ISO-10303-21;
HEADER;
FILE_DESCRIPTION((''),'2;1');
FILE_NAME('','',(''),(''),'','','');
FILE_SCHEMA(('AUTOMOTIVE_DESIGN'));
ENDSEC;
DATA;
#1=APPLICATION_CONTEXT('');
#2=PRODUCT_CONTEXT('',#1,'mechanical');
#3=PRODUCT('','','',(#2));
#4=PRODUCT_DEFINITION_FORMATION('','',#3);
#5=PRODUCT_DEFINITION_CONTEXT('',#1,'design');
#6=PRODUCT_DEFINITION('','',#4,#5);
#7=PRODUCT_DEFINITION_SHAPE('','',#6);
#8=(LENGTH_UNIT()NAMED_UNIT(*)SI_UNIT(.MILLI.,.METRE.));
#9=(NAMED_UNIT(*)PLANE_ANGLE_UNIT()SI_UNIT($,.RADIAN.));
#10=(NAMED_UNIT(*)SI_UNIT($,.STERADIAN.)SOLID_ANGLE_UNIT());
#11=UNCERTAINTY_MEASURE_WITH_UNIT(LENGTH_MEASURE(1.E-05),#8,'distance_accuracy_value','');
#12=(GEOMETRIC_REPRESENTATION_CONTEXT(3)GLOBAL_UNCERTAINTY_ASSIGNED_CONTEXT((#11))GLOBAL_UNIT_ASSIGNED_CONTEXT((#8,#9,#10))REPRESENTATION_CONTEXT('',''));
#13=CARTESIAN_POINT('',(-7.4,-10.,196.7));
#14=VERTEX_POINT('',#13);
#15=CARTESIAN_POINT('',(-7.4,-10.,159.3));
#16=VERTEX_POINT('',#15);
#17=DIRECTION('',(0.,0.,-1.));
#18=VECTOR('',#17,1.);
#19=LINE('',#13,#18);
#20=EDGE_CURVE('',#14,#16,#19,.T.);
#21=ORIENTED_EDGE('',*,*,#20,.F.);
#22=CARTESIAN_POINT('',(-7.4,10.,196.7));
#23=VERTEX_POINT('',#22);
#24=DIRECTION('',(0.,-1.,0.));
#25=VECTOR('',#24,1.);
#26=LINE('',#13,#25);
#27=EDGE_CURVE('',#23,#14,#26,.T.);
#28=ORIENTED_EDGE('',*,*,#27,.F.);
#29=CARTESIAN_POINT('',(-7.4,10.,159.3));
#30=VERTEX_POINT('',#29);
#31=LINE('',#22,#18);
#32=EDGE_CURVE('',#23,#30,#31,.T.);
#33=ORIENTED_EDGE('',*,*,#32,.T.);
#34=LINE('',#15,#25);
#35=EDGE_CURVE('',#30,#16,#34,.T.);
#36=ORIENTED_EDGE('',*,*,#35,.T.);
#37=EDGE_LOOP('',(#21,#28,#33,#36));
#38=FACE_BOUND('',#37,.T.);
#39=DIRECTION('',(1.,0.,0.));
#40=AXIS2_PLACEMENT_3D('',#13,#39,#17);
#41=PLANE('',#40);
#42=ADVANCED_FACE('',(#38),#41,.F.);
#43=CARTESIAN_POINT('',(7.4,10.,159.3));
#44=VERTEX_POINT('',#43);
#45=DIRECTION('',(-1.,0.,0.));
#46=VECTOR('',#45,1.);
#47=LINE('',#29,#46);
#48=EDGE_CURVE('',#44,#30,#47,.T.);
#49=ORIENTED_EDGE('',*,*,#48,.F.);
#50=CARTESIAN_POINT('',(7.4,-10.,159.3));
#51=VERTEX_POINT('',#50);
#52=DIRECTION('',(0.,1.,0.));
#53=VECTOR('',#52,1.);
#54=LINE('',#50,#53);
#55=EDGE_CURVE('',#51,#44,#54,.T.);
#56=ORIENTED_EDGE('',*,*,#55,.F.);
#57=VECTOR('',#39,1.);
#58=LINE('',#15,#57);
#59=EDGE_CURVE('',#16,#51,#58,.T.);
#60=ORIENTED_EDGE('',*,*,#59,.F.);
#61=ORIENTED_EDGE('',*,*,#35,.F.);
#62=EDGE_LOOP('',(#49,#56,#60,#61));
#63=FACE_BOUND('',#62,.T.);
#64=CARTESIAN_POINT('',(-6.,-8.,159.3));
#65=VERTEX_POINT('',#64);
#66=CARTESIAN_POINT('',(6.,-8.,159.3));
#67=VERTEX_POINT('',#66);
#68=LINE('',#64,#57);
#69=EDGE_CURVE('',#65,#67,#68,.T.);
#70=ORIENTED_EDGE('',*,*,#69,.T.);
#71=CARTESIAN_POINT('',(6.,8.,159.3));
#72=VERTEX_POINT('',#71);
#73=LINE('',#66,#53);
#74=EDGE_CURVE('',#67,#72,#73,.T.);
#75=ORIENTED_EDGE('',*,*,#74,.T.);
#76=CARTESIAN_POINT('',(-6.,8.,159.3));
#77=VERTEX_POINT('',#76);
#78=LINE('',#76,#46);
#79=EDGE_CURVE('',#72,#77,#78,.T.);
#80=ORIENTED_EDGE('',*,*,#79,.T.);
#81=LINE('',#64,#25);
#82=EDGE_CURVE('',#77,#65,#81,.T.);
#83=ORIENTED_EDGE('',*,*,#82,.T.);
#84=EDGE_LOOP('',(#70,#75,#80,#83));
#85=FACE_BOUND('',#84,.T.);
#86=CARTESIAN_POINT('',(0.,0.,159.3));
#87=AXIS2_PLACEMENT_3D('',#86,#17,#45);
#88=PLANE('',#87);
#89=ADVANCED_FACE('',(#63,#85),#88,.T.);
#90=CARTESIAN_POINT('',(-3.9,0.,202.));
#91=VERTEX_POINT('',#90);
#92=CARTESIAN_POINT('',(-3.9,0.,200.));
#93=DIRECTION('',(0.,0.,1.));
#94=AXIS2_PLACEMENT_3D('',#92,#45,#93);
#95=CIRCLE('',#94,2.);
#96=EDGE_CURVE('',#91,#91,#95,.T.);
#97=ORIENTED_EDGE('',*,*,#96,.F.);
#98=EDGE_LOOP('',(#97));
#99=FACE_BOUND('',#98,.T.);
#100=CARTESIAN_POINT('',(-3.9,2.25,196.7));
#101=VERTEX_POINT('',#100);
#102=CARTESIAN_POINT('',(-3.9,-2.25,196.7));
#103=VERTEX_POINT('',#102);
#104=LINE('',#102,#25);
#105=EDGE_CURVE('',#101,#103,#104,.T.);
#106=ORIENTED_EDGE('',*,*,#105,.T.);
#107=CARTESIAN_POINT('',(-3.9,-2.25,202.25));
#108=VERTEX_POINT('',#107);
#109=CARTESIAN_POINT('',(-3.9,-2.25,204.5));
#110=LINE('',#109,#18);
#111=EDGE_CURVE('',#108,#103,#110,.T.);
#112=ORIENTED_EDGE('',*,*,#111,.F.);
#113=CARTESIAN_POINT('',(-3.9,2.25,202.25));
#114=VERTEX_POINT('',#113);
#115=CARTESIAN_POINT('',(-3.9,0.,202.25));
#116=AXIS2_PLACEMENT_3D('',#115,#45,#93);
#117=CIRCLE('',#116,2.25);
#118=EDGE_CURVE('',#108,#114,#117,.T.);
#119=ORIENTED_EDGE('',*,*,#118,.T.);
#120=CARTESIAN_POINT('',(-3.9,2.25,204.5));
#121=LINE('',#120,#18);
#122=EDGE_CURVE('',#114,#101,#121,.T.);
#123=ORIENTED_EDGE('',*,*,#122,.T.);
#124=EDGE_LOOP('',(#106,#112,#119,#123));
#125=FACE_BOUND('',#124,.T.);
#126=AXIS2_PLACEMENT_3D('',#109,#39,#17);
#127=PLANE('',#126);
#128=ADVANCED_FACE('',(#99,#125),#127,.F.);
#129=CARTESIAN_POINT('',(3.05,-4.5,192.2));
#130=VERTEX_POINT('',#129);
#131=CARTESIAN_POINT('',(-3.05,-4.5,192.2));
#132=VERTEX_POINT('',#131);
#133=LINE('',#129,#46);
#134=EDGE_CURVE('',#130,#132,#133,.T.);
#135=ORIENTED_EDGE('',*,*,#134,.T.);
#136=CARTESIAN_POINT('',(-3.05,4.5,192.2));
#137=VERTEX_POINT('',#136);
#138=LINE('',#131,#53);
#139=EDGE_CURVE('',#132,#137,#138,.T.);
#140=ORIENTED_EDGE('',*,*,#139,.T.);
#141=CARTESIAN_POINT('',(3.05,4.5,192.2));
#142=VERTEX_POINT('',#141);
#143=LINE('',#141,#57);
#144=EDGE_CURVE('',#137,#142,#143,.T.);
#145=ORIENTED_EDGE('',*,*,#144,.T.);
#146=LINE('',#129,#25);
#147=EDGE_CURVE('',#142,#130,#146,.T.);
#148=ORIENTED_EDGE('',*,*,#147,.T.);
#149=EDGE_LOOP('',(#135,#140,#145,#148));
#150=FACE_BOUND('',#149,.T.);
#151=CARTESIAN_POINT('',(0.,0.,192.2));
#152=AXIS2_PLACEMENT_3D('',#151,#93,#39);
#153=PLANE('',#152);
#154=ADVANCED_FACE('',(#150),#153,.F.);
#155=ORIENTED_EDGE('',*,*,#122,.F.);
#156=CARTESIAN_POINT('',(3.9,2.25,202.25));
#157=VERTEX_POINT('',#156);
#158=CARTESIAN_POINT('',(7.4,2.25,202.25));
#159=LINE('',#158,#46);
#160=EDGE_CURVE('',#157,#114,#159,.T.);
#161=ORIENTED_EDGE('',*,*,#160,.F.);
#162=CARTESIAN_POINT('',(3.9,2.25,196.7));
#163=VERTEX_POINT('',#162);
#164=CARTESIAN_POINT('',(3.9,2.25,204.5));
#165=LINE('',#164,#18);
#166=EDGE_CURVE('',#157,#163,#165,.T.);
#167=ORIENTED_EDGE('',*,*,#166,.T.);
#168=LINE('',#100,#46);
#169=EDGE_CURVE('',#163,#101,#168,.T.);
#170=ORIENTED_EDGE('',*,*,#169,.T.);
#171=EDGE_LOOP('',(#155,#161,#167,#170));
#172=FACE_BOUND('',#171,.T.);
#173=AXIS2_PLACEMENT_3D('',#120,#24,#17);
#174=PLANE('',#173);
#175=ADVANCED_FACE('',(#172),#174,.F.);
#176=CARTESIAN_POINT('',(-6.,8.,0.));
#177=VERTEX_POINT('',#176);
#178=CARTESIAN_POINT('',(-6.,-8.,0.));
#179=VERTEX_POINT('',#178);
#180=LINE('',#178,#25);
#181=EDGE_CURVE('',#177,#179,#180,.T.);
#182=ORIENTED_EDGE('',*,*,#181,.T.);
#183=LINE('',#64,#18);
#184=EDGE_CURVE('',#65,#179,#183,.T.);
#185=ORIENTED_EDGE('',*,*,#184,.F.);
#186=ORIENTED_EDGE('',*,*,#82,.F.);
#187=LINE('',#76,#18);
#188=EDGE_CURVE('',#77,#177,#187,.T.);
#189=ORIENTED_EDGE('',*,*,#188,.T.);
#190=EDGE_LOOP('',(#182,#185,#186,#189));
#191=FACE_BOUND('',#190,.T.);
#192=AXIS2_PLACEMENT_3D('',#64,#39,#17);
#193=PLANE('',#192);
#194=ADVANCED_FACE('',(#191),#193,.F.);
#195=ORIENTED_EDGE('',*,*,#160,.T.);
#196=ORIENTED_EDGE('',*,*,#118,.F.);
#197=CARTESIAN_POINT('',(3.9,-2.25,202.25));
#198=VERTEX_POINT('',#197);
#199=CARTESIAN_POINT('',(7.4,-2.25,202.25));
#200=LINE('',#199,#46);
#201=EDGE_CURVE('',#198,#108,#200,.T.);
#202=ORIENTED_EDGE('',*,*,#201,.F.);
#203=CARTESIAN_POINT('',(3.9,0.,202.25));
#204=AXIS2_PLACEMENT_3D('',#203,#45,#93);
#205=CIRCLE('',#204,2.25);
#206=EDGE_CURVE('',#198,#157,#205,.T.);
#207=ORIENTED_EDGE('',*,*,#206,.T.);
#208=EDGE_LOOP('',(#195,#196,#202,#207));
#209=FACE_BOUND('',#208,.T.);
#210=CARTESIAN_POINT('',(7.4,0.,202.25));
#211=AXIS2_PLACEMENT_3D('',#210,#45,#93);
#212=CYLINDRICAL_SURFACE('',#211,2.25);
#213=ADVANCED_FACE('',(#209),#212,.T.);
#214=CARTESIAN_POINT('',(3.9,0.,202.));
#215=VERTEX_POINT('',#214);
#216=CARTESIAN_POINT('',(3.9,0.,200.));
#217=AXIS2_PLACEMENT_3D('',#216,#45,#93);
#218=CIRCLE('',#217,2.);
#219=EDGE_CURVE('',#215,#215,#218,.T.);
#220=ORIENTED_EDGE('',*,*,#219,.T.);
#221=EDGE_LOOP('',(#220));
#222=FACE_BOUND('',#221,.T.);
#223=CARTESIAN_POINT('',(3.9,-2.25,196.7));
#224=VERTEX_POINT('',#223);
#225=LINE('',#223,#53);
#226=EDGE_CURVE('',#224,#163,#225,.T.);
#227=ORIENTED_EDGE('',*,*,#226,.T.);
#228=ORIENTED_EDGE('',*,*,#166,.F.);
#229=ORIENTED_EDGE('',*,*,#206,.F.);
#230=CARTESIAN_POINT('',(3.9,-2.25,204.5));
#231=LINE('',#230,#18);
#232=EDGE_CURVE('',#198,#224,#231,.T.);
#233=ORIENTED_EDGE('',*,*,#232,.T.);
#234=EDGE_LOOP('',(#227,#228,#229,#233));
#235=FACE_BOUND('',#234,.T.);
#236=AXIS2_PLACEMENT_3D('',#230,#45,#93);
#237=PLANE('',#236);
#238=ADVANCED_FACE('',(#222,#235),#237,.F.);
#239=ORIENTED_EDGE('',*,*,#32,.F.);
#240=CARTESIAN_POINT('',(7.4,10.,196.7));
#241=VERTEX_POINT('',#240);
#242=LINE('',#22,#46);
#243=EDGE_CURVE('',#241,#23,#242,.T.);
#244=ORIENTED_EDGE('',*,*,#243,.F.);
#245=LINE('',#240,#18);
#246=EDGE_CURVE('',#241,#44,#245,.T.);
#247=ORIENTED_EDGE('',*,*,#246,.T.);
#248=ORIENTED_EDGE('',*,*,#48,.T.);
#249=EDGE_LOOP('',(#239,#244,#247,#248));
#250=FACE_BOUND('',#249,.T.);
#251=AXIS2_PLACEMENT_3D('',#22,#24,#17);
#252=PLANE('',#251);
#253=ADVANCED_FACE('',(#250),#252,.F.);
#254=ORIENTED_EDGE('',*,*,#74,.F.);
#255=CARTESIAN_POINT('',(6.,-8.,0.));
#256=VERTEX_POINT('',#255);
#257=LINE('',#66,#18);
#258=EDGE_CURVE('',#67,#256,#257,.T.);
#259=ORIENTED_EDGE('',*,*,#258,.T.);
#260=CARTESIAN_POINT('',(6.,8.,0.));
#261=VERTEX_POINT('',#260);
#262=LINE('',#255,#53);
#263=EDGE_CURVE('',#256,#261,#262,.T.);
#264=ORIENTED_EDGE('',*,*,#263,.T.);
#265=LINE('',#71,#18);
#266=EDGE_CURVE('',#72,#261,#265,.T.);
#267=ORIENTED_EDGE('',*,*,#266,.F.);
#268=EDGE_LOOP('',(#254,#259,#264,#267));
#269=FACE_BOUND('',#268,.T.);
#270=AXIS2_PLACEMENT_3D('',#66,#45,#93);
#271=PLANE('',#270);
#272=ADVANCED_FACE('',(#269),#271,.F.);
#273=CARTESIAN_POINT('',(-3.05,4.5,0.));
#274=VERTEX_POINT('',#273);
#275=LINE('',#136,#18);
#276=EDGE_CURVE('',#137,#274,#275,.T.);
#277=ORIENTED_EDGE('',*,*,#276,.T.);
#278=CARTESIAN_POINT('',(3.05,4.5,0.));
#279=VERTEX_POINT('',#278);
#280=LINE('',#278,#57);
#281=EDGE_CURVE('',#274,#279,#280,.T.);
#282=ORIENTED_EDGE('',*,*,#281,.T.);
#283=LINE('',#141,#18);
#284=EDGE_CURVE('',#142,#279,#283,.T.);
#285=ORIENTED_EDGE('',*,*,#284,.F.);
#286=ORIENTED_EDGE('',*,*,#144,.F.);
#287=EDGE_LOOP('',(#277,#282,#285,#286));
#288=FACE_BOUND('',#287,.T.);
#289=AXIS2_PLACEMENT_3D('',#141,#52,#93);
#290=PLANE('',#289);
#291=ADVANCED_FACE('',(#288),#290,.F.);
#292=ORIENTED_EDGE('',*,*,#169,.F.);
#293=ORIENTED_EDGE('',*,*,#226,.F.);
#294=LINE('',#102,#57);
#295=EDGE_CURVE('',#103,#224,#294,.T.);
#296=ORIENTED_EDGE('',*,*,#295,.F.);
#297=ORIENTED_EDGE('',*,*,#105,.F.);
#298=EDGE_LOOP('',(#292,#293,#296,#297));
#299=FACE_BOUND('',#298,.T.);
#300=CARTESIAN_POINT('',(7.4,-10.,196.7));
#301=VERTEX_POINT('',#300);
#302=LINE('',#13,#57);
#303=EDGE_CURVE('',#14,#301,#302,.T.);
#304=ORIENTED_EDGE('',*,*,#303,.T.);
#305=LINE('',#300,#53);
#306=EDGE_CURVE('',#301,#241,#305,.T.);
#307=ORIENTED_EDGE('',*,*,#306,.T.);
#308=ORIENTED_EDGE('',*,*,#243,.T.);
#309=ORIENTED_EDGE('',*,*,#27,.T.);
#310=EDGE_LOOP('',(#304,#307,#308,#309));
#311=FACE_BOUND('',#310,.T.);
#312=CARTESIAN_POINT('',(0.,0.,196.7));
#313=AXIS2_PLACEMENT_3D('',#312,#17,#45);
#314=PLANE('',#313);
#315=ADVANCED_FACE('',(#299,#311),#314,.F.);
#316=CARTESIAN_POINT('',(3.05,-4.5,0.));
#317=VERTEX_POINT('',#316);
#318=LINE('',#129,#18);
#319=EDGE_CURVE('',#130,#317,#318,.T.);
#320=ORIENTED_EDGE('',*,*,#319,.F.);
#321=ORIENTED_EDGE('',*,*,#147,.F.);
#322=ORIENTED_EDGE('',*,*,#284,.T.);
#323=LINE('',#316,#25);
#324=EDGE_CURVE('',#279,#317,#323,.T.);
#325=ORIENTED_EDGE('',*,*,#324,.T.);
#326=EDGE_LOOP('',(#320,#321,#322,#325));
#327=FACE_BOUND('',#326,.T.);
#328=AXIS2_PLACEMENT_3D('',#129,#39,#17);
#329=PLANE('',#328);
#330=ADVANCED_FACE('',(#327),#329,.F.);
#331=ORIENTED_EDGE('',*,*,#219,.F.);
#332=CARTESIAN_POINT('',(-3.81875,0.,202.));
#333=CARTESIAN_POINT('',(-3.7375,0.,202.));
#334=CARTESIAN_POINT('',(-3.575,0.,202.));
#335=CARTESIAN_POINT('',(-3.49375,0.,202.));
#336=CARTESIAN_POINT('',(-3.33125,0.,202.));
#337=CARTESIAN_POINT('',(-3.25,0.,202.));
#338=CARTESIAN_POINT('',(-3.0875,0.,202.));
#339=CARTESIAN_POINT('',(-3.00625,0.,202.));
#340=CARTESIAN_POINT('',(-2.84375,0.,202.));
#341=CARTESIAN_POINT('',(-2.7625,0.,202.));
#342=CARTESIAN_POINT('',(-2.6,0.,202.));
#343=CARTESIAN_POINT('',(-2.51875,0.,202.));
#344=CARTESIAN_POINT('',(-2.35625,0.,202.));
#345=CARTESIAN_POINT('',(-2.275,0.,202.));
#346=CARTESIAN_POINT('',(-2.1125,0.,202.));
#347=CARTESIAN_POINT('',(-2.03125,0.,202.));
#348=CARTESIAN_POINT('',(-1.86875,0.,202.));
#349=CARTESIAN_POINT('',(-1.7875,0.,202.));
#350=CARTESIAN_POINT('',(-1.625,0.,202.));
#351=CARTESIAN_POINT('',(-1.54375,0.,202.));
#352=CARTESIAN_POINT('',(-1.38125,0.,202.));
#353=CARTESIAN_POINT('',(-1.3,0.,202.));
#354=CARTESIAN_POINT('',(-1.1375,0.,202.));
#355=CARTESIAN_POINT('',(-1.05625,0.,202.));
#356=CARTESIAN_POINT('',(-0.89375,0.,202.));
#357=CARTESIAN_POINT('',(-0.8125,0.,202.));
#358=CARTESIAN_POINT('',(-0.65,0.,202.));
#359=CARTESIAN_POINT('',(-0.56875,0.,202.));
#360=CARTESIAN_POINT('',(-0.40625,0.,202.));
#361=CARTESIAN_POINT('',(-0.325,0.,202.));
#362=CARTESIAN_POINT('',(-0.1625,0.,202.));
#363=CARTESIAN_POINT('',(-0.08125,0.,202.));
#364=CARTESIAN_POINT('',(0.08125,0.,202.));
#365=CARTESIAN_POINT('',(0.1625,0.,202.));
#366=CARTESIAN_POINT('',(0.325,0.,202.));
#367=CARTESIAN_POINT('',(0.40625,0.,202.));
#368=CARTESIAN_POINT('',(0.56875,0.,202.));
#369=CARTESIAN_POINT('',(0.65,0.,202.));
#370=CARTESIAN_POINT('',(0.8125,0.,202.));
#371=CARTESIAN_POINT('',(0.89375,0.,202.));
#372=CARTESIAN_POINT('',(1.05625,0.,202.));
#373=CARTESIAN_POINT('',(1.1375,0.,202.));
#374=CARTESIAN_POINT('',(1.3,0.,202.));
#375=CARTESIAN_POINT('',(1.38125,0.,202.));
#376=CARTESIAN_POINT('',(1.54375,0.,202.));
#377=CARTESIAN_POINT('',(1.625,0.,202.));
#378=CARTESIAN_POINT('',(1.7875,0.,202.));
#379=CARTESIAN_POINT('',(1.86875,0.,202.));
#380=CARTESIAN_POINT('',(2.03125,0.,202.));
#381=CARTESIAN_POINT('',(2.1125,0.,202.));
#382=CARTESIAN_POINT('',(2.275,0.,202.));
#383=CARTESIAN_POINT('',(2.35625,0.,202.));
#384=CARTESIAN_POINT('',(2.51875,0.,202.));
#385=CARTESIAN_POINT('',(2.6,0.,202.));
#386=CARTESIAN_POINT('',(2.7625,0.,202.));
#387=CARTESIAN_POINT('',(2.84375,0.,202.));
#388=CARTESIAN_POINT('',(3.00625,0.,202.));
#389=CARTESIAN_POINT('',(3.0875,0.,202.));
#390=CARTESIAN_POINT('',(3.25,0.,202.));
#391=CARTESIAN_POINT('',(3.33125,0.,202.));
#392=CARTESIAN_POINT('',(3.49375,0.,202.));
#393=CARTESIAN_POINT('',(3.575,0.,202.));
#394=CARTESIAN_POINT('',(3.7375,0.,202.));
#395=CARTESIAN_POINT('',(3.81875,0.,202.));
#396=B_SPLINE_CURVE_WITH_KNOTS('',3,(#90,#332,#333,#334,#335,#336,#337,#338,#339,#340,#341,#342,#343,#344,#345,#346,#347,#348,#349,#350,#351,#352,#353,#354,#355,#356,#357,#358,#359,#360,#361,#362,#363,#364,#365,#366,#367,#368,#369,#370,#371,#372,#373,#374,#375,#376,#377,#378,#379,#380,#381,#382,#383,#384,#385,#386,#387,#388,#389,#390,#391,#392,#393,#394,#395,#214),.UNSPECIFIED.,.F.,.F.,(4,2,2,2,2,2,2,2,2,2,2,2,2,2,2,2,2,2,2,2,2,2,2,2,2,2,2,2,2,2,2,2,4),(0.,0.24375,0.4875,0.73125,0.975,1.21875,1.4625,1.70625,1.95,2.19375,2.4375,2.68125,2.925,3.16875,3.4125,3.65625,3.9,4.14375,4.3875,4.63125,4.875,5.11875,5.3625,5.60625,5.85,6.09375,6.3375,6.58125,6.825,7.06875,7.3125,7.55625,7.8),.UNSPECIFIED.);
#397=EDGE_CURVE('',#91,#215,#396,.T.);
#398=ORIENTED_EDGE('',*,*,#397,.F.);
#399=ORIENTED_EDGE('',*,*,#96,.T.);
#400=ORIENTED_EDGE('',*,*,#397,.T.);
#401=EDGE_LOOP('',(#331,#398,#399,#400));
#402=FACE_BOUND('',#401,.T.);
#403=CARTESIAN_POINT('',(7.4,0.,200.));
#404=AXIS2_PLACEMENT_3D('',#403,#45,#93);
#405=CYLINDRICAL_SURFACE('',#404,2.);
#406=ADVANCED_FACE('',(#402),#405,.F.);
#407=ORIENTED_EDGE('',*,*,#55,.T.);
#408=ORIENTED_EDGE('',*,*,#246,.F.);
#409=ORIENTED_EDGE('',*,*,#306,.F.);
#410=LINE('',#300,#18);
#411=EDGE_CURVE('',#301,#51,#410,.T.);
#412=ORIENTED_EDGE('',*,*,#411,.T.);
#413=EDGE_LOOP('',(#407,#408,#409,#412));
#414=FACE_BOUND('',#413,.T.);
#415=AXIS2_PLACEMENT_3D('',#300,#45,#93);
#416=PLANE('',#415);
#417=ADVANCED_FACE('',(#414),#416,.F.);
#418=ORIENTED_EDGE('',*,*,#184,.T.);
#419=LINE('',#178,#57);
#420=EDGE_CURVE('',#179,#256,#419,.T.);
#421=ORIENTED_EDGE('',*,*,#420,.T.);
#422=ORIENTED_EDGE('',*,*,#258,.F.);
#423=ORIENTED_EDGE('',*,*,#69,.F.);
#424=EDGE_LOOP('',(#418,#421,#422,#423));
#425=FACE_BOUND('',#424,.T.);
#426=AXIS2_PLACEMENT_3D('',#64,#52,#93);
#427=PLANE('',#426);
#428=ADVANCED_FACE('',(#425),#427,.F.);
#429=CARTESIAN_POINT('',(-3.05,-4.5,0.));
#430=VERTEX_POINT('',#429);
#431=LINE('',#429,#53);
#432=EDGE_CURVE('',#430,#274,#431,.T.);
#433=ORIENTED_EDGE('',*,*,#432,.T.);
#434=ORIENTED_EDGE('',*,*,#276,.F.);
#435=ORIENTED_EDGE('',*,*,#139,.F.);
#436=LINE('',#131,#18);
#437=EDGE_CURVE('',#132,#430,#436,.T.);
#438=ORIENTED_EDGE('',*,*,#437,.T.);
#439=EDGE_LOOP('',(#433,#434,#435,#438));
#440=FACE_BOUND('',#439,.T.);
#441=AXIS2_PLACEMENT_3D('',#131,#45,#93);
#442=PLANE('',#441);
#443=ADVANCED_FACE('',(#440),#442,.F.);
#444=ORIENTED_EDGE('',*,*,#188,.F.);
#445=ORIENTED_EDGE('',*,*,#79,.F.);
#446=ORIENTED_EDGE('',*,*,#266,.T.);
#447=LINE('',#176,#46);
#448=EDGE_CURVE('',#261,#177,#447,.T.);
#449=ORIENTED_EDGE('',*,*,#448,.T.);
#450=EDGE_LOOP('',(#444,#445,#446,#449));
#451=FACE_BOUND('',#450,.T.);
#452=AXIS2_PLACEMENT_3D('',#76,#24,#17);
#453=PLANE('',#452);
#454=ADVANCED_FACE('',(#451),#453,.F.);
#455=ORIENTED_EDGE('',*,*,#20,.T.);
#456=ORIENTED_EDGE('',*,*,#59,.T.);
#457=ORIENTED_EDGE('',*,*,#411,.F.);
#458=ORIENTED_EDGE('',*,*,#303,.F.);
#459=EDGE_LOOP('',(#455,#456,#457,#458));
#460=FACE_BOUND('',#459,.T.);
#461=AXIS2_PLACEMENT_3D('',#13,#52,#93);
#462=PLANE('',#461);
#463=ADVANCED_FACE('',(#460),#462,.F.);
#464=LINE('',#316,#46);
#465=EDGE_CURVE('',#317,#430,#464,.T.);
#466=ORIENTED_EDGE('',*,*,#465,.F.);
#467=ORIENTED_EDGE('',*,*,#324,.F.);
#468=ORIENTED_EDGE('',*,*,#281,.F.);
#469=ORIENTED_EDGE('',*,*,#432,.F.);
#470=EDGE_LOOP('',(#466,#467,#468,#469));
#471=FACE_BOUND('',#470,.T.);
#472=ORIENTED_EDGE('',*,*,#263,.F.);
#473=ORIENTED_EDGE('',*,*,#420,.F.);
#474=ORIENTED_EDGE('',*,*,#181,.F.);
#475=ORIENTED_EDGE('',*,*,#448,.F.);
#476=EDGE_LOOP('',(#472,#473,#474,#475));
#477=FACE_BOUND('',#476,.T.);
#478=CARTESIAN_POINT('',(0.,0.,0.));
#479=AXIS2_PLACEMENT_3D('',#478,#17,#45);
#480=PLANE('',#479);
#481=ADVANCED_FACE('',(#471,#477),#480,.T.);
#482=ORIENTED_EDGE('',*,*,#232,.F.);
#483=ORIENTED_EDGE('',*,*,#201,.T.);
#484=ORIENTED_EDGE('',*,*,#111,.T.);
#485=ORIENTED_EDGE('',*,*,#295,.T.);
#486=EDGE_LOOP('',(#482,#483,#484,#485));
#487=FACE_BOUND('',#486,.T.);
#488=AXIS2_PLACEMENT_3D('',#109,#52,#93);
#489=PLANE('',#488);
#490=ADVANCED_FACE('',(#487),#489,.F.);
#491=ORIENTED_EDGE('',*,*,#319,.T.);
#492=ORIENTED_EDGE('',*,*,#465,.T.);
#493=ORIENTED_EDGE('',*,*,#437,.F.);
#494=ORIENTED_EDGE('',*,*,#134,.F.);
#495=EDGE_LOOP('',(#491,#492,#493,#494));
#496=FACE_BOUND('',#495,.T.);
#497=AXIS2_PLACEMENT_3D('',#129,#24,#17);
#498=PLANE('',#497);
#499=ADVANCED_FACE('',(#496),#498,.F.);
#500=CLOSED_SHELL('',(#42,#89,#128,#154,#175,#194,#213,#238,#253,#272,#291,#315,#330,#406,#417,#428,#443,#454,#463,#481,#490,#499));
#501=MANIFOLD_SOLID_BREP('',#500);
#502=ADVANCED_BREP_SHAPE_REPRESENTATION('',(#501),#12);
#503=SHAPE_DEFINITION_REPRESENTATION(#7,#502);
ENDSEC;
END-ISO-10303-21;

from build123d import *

# Parameters (mm, degrees)
SKETCH1_W           = 12
SKETCH1_H           = 16
BOSS_EXTRUDE1_DEPTH = 159.3
SKETCH2_W           = 14.8
SKETCH2_H           = 20
BOSS_EXTRUDE2_DEPTH = 37.4
SKETCH3_W           = 7.8
SKETCH3_H           = 4.5
BOSS_EXTRUDE3_DEPTH = 7.8
SKETCH4_R           = 2
CUT_EXTRUDE1_DEPTH  = 206.055943586
SKETCH5_W           = 6.1
SKETCH5_H           = 9
CUT_EXTRUDE2_DEPTH  = 192.2


with BuildPart() as part:
    # Sketch1 → Boss-Extrude1 (new body)
    with BuildSketch(Plane.XY):
        Rectangle(SKETCH1_W, SKETCH1_H)
    extrude(amount=BOSS_EXTRUDE1_DEPTH)

    # Sketch2 → Boss-Extrude2 (add)
    with BuildSketch(Plane.XY.offset(159.3)):
        Rectangle(SKETCH2_W, SKETCH2_H)
    extrude(amount=BOSS_EXTRUDE2_DEPTH)

    # Sketch3 → Boss-Extrude3 (add)
    with BuildSketch(Plane.XY.offset(196.7)):
        Rectangle(SKETCH3_W, SKETCH3_H)
    extrude(amount=BOSS_EXTRUDE3_DEPTH)

    # Sketch4 → Cut-Extrude1 (cut, through all)
    with BuildSketch(Plane.ZY.offset(3.9)):
        with Locations((200, 0)):
            Circle(SKETCH4_R)
        with BuildLine():
            Line((202.25, -2.25), (204.5, -2.25))
            Line((204.5, -2.25), (204.5, -3.3e-08))
            ThreePointArc((204.5, -3.3e-08), (203.840990246, -1.590990269), (202.25, -2.25))
        make_face()
        with BuildLine():
            ThreePointArc((202.25, 2.25), (203.840990269, 1.590990246), (204.5, -3.3e-08))
            Line((204.5, -3.3e-08), (204.5, 2.25))
            Line((204.5, 2.25), (202.25, 2.25))
        make_face()
    extrude(amount=-CUT_EXTRUDE1_DEPTH, mode=Mode.SUBTRACT)

    # Sketch5 → Cut-Extrude2 (cut)
    with BuildSketch(Plane(origin=(0, 0, 0), x_dir=(-1, 0, 0), z_dir=(0, 0, -1))):
        Rectangle(SKETCH5_W, SKETCH5_H)
    extrude(amount=-CUT_EXTRUDE2_DEPTH, mode=Mode.SUBTRACT)


solid = part.part
